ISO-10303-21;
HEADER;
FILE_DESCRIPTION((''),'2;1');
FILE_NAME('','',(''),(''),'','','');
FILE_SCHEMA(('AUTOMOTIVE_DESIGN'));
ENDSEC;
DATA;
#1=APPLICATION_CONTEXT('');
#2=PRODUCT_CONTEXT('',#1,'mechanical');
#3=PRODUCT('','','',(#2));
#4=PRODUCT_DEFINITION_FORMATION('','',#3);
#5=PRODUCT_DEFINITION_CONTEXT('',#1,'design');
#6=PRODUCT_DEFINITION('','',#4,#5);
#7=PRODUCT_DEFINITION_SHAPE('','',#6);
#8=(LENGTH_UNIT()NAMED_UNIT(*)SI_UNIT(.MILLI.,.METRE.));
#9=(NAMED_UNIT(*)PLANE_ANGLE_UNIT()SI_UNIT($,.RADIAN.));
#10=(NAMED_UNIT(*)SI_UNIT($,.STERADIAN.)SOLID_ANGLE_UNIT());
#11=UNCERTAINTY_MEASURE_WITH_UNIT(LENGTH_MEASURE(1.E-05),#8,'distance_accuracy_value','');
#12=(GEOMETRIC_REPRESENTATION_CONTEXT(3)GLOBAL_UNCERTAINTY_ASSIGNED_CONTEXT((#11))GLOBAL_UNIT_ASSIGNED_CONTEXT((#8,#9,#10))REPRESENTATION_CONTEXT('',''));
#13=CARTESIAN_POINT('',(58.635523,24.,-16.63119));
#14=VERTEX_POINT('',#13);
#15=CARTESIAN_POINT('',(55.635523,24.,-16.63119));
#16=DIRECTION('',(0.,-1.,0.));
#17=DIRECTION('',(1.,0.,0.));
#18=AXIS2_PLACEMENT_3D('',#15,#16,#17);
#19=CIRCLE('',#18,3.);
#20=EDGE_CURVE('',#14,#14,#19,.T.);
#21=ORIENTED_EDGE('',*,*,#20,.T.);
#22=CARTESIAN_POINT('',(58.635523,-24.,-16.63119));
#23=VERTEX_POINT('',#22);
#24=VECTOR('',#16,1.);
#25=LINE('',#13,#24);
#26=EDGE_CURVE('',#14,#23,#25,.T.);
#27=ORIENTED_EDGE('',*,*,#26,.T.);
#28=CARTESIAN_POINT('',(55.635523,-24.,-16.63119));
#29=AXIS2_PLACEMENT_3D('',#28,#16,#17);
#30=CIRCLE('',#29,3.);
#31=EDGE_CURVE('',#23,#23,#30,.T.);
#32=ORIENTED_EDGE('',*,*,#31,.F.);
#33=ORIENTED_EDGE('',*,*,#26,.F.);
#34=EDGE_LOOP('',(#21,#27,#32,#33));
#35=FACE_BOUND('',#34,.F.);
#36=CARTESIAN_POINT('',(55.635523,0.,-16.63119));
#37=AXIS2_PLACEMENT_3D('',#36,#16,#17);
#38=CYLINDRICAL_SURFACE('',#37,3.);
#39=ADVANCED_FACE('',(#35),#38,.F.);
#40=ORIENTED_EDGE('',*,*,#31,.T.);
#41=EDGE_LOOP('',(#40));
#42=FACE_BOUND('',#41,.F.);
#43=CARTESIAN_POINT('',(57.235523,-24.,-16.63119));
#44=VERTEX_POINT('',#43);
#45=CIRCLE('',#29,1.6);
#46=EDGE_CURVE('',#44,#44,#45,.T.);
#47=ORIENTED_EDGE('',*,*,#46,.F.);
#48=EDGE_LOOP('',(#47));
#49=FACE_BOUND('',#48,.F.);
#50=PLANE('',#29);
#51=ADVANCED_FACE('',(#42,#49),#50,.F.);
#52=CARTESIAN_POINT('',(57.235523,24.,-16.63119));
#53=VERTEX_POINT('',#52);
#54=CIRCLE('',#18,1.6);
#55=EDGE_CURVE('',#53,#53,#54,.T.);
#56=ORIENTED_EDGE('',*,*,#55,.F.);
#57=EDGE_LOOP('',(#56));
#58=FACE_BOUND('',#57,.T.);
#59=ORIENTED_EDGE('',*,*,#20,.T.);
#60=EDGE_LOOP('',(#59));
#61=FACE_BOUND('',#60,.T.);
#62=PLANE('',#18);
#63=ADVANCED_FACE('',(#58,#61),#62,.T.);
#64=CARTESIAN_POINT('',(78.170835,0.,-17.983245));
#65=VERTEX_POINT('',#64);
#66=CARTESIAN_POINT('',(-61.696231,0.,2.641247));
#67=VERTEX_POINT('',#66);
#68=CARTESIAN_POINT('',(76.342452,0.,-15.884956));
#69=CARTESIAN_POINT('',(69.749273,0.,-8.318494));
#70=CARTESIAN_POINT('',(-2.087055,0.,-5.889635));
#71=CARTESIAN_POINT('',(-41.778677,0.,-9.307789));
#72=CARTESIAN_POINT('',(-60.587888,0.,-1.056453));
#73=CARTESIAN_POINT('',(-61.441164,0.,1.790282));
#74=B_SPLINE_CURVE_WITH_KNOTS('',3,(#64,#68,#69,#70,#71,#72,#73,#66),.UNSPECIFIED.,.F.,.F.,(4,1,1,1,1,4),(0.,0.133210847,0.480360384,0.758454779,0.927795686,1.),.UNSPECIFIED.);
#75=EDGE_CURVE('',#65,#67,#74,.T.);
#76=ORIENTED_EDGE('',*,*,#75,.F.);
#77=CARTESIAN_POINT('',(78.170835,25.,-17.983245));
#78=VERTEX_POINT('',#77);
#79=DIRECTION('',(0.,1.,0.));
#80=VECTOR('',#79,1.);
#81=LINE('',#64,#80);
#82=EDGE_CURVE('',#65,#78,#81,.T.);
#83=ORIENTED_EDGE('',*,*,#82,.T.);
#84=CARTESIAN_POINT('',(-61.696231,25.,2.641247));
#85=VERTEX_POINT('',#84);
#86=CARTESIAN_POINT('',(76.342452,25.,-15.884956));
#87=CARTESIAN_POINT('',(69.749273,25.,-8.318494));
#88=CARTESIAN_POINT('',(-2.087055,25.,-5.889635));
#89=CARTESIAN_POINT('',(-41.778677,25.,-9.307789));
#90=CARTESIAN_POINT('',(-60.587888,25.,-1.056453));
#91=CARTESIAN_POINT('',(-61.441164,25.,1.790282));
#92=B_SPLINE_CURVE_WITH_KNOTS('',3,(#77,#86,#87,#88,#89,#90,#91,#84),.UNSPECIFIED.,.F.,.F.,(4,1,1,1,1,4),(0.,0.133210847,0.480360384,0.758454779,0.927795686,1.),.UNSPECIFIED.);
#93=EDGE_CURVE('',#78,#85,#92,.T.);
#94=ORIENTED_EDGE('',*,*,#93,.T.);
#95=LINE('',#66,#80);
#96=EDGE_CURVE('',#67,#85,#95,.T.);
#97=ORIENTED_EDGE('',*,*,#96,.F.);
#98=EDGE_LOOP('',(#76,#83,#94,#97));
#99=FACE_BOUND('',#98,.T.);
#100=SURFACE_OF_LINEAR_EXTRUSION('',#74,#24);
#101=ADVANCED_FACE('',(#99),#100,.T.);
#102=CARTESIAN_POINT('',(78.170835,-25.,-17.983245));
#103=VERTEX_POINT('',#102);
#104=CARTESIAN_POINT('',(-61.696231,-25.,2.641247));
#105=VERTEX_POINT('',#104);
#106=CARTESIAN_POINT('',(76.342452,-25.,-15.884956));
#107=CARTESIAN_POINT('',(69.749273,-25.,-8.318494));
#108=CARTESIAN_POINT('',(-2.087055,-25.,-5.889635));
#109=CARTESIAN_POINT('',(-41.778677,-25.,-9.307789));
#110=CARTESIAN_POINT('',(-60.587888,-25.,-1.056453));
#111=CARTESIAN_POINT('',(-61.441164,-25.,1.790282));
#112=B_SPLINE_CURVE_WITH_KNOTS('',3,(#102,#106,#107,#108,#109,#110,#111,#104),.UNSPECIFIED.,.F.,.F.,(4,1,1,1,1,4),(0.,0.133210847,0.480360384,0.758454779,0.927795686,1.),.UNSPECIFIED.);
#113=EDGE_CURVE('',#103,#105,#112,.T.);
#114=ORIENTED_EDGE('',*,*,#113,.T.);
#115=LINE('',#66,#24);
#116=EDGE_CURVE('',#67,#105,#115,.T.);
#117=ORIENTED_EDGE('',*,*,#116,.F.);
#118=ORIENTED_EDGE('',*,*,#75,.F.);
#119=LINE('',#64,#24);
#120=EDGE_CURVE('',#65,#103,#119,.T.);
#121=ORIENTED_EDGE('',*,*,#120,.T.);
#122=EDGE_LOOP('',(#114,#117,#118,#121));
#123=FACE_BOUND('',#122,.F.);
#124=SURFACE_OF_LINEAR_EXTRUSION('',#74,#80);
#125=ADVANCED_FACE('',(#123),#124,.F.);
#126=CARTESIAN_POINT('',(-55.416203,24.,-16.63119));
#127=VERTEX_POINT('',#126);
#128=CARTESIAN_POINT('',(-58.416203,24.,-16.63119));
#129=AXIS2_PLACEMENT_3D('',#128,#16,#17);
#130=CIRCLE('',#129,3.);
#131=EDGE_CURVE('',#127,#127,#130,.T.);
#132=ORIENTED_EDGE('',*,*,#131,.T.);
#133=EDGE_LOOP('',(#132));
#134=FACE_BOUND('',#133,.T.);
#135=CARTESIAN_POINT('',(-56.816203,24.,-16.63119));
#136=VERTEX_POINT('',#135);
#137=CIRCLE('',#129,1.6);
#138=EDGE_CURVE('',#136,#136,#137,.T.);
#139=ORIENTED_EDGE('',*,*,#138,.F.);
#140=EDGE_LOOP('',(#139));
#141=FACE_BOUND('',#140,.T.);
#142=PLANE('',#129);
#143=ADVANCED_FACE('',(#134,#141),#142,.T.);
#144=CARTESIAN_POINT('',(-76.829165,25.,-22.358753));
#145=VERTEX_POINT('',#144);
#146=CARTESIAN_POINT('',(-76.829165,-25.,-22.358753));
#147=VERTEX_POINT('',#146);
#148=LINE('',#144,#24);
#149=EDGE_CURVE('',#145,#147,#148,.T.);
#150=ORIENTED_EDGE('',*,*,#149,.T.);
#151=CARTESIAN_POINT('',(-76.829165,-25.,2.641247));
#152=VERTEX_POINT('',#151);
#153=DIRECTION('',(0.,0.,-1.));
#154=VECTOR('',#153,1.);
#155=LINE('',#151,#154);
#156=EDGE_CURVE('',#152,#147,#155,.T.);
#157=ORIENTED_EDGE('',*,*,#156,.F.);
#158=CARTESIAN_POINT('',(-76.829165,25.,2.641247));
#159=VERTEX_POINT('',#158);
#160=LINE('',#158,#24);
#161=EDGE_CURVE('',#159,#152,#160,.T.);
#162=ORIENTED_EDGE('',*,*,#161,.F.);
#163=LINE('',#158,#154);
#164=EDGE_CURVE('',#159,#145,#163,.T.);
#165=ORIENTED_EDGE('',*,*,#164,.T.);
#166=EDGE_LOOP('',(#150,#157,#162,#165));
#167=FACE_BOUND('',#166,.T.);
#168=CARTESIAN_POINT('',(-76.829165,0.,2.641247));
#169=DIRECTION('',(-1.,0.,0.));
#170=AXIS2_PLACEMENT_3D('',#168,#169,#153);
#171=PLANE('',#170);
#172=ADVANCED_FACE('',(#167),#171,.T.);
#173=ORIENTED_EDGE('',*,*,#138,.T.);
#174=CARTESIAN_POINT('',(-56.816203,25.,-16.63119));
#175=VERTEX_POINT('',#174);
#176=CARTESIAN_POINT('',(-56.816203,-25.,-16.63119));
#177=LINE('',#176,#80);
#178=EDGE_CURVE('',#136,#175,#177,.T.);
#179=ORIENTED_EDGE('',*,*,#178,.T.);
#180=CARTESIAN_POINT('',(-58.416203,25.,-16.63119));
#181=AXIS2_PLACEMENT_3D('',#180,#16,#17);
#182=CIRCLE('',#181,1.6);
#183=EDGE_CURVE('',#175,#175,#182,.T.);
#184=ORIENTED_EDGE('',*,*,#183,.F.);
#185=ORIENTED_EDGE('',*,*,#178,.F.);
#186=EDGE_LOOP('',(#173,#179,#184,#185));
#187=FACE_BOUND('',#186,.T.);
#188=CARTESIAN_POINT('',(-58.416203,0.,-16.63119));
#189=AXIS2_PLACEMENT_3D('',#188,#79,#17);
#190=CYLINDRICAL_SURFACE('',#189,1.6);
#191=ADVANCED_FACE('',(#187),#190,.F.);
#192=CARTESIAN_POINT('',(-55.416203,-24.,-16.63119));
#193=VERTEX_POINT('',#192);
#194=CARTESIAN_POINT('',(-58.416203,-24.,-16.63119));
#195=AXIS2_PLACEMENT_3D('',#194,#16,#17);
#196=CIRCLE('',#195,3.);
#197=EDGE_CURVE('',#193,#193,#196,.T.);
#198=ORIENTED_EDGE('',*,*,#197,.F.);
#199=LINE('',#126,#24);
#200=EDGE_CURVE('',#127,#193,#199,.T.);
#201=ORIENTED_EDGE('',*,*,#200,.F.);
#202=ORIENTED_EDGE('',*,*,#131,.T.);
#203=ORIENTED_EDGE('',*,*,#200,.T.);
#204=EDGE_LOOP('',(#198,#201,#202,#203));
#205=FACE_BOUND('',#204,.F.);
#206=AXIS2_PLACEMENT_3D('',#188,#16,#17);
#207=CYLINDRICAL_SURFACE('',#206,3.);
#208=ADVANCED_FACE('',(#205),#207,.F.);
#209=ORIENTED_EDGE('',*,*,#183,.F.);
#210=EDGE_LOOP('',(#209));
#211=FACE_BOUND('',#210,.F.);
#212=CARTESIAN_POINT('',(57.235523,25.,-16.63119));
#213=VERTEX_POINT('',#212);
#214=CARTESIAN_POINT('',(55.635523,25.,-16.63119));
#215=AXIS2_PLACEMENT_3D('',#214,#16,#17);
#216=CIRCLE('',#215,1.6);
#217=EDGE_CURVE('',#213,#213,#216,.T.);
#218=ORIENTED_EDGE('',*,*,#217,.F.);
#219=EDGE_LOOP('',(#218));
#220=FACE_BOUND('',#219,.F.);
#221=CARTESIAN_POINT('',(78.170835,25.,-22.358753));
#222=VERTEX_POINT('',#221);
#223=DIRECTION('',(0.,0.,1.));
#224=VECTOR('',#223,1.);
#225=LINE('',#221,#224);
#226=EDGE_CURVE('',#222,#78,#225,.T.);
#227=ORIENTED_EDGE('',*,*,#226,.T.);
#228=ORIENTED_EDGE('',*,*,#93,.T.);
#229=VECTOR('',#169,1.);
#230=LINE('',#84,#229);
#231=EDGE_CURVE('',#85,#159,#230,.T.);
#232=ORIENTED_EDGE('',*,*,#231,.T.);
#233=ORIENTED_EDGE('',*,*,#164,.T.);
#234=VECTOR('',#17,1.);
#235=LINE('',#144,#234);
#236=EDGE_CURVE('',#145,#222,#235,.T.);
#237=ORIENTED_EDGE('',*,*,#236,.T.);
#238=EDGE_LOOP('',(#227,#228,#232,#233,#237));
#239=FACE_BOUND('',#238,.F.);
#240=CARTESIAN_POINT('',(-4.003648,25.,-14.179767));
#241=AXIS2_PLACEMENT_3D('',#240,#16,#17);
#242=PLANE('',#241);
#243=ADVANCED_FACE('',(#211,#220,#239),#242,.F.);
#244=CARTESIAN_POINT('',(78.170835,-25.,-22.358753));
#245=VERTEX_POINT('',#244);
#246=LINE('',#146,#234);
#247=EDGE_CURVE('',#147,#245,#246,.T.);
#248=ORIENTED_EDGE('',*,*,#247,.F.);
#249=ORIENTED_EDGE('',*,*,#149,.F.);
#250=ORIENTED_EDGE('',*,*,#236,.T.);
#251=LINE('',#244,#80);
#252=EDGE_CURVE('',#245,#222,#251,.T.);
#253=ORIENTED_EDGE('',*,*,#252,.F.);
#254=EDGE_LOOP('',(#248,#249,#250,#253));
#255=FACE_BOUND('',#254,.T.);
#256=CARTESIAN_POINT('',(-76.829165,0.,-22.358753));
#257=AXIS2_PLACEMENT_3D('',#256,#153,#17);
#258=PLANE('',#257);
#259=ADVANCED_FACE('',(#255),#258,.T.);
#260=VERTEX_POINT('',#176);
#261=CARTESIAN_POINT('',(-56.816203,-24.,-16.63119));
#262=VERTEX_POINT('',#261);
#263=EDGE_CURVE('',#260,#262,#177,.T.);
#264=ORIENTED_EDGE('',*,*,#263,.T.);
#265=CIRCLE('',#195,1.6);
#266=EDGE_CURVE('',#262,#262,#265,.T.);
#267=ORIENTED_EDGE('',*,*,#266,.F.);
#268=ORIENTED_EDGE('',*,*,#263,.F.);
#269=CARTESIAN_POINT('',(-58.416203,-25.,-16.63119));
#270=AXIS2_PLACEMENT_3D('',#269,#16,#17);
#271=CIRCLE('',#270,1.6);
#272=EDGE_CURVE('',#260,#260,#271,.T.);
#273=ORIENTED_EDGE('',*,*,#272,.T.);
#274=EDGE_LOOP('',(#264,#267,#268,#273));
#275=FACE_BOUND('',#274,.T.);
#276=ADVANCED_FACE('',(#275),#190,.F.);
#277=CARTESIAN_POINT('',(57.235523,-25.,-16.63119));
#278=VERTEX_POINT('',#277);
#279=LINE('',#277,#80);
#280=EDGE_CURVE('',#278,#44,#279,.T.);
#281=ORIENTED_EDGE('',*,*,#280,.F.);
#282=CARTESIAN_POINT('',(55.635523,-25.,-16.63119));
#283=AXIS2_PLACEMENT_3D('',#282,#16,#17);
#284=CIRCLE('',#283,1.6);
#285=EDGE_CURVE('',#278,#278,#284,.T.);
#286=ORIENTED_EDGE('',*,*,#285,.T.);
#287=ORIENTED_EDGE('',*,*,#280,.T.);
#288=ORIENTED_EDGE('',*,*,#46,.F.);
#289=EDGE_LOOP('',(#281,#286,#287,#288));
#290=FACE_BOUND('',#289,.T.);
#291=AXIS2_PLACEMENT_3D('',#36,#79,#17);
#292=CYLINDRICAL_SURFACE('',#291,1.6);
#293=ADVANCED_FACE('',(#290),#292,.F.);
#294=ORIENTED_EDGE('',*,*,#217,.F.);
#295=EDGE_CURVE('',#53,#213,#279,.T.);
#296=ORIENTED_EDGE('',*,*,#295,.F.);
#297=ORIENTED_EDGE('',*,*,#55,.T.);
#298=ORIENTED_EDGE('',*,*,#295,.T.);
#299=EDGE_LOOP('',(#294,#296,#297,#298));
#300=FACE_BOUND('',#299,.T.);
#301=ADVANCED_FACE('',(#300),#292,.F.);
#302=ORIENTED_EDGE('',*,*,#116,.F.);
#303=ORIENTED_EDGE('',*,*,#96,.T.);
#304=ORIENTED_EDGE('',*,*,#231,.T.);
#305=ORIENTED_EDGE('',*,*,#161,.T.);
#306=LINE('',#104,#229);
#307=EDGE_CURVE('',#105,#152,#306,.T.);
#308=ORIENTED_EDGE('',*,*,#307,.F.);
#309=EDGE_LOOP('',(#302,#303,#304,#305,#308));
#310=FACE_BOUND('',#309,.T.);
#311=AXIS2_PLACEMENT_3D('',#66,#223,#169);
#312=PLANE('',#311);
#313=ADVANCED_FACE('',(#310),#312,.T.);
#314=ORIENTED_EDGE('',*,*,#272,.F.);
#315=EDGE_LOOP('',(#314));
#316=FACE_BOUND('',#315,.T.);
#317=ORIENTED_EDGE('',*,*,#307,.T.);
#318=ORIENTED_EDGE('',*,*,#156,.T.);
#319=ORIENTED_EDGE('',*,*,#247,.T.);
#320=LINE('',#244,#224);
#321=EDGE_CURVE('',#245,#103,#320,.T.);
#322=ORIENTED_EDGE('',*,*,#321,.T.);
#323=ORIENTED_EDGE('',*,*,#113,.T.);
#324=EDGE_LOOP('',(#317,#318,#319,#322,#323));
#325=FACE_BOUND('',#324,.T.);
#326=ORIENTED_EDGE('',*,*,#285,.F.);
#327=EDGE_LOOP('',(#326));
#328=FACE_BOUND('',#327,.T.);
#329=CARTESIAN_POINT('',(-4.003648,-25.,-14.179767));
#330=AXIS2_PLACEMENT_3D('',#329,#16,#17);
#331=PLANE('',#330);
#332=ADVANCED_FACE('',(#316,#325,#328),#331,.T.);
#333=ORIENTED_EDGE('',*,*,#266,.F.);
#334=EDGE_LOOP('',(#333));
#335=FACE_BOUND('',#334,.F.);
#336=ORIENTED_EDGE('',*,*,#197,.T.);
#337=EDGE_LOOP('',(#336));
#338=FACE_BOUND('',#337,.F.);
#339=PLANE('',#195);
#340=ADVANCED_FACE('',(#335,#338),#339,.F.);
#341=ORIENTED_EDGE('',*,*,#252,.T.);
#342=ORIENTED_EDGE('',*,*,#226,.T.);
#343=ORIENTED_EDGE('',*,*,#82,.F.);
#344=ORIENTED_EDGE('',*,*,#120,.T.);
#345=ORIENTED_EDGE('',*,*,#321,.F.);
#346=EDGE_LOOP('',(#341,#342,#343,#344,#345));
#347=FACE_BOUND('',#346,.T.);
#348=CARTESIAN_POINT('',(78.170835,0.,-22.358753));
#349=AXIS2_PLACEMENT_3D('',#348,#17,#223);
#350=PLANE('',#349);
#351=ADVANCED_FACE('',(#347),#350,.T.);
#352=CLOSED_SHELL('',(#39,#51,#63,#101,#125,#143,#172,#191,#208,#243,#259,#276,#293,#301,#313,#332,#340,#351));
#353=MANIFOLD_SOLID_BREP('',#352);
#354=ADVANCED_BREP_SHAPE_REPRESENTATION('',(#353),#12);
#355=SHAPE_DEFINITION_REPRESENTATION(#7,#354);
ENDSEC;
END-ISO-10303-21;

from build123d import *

# Parameters (mm, degrees)
F0_R     = 3
F0_R_2   = 1.6
F1_DEPTH = 25
F2_DEPTH = 24
F3_DEPTH = 24


with BuildPart() as f1:
    # F0 (on Front) → F1 (new body, symmetric)
    with BuildSketch(Plane.XZ):
        with BuildLine():
            Line((-61.6962313652, 2.6412474989), (-76.8291646242, 2.6412474989))
            Line((-76.8291646242, 2.6412474989), (-76.8291646242, -22.3587525011))
            Line((-76.8291646242, -22.3587525011), (78.1708353758, -22.3587525011))
            Line((78.1708353758, -22.3587525011), (78.1708353758, -17.983244732))
            add(Edge.make_bspline(
                [(78.1708353758, -17.983244732), (76.3424520151, -15.8849559066), (69.7492732133, -8.3184938059), (-2.0870551517, -5.889635406), (-41.778677222, -9.3077890022), (-60.5878884114, -1.0564529523), (-61.4411643979, 1.790282338), (-61.6962313652, 2.6412474989)],
                knots=[0, 0, 0, 0, 0.1332108471, 0.4803603839, 0.7584547793, 0.9277956864, 1, 1, 1, 1], degree=3))
        make_face()
        with Locations((-58.4162026644, -16.6311897337)):
            Circle(F0_R, mode=Mode.SUBTRACT)
        with Locations((55.635523051, -16.6311897337)):
            Circle(F0_R, mode=Mode.SUBTRACT)
        with Locations((-58.4162026644, -16.6311897337)):
            Circle(F0_R)
        with Locations((-58.4162026644, -16.6311897337)):
            Circle(F0_R_2, mode=Mode.SUBTRACT)
        with Locations((55.635523051, -16.6311897337)):
            Circle(F0_R)
        with Locations((55.635523051, -16.6311897337)):
            Circle(F0_R_2, mode=Mode.SUBTRACT)
    extrude(amount=F1_DEPTH, both=True)

    # F0 (on Front) → F2 (cut, symmetric)
    with BuildSketch(Plane.XZ):
        with Locations((-58.4162026644, -16.6311897337)):
            Circle(F0_R)
        with Locations((-58.4162026644, -16.6311897337)):
            Circle(F0_R_2, mode=Mode.SUBTRACT)
    extrude(amount=F2_DEPTH, both=True, mode=Mode.SUBTRACT)

    # F0 (on Front) → F3 (cut, symmetric)
    with BuildSketch(Plane.XZ):
        with Locations((55.635523051, -16.6311897337)):
            Circle(F0_R)
        with Locations((55.635523051, -16.6311897337)):
            Circle(F0_R_2, mode=Mode.SUBTRACT)
    extrude(amount=F3_DEPTH, both=True, mode=Mode.SUBTRACT)


solid = f1.part
